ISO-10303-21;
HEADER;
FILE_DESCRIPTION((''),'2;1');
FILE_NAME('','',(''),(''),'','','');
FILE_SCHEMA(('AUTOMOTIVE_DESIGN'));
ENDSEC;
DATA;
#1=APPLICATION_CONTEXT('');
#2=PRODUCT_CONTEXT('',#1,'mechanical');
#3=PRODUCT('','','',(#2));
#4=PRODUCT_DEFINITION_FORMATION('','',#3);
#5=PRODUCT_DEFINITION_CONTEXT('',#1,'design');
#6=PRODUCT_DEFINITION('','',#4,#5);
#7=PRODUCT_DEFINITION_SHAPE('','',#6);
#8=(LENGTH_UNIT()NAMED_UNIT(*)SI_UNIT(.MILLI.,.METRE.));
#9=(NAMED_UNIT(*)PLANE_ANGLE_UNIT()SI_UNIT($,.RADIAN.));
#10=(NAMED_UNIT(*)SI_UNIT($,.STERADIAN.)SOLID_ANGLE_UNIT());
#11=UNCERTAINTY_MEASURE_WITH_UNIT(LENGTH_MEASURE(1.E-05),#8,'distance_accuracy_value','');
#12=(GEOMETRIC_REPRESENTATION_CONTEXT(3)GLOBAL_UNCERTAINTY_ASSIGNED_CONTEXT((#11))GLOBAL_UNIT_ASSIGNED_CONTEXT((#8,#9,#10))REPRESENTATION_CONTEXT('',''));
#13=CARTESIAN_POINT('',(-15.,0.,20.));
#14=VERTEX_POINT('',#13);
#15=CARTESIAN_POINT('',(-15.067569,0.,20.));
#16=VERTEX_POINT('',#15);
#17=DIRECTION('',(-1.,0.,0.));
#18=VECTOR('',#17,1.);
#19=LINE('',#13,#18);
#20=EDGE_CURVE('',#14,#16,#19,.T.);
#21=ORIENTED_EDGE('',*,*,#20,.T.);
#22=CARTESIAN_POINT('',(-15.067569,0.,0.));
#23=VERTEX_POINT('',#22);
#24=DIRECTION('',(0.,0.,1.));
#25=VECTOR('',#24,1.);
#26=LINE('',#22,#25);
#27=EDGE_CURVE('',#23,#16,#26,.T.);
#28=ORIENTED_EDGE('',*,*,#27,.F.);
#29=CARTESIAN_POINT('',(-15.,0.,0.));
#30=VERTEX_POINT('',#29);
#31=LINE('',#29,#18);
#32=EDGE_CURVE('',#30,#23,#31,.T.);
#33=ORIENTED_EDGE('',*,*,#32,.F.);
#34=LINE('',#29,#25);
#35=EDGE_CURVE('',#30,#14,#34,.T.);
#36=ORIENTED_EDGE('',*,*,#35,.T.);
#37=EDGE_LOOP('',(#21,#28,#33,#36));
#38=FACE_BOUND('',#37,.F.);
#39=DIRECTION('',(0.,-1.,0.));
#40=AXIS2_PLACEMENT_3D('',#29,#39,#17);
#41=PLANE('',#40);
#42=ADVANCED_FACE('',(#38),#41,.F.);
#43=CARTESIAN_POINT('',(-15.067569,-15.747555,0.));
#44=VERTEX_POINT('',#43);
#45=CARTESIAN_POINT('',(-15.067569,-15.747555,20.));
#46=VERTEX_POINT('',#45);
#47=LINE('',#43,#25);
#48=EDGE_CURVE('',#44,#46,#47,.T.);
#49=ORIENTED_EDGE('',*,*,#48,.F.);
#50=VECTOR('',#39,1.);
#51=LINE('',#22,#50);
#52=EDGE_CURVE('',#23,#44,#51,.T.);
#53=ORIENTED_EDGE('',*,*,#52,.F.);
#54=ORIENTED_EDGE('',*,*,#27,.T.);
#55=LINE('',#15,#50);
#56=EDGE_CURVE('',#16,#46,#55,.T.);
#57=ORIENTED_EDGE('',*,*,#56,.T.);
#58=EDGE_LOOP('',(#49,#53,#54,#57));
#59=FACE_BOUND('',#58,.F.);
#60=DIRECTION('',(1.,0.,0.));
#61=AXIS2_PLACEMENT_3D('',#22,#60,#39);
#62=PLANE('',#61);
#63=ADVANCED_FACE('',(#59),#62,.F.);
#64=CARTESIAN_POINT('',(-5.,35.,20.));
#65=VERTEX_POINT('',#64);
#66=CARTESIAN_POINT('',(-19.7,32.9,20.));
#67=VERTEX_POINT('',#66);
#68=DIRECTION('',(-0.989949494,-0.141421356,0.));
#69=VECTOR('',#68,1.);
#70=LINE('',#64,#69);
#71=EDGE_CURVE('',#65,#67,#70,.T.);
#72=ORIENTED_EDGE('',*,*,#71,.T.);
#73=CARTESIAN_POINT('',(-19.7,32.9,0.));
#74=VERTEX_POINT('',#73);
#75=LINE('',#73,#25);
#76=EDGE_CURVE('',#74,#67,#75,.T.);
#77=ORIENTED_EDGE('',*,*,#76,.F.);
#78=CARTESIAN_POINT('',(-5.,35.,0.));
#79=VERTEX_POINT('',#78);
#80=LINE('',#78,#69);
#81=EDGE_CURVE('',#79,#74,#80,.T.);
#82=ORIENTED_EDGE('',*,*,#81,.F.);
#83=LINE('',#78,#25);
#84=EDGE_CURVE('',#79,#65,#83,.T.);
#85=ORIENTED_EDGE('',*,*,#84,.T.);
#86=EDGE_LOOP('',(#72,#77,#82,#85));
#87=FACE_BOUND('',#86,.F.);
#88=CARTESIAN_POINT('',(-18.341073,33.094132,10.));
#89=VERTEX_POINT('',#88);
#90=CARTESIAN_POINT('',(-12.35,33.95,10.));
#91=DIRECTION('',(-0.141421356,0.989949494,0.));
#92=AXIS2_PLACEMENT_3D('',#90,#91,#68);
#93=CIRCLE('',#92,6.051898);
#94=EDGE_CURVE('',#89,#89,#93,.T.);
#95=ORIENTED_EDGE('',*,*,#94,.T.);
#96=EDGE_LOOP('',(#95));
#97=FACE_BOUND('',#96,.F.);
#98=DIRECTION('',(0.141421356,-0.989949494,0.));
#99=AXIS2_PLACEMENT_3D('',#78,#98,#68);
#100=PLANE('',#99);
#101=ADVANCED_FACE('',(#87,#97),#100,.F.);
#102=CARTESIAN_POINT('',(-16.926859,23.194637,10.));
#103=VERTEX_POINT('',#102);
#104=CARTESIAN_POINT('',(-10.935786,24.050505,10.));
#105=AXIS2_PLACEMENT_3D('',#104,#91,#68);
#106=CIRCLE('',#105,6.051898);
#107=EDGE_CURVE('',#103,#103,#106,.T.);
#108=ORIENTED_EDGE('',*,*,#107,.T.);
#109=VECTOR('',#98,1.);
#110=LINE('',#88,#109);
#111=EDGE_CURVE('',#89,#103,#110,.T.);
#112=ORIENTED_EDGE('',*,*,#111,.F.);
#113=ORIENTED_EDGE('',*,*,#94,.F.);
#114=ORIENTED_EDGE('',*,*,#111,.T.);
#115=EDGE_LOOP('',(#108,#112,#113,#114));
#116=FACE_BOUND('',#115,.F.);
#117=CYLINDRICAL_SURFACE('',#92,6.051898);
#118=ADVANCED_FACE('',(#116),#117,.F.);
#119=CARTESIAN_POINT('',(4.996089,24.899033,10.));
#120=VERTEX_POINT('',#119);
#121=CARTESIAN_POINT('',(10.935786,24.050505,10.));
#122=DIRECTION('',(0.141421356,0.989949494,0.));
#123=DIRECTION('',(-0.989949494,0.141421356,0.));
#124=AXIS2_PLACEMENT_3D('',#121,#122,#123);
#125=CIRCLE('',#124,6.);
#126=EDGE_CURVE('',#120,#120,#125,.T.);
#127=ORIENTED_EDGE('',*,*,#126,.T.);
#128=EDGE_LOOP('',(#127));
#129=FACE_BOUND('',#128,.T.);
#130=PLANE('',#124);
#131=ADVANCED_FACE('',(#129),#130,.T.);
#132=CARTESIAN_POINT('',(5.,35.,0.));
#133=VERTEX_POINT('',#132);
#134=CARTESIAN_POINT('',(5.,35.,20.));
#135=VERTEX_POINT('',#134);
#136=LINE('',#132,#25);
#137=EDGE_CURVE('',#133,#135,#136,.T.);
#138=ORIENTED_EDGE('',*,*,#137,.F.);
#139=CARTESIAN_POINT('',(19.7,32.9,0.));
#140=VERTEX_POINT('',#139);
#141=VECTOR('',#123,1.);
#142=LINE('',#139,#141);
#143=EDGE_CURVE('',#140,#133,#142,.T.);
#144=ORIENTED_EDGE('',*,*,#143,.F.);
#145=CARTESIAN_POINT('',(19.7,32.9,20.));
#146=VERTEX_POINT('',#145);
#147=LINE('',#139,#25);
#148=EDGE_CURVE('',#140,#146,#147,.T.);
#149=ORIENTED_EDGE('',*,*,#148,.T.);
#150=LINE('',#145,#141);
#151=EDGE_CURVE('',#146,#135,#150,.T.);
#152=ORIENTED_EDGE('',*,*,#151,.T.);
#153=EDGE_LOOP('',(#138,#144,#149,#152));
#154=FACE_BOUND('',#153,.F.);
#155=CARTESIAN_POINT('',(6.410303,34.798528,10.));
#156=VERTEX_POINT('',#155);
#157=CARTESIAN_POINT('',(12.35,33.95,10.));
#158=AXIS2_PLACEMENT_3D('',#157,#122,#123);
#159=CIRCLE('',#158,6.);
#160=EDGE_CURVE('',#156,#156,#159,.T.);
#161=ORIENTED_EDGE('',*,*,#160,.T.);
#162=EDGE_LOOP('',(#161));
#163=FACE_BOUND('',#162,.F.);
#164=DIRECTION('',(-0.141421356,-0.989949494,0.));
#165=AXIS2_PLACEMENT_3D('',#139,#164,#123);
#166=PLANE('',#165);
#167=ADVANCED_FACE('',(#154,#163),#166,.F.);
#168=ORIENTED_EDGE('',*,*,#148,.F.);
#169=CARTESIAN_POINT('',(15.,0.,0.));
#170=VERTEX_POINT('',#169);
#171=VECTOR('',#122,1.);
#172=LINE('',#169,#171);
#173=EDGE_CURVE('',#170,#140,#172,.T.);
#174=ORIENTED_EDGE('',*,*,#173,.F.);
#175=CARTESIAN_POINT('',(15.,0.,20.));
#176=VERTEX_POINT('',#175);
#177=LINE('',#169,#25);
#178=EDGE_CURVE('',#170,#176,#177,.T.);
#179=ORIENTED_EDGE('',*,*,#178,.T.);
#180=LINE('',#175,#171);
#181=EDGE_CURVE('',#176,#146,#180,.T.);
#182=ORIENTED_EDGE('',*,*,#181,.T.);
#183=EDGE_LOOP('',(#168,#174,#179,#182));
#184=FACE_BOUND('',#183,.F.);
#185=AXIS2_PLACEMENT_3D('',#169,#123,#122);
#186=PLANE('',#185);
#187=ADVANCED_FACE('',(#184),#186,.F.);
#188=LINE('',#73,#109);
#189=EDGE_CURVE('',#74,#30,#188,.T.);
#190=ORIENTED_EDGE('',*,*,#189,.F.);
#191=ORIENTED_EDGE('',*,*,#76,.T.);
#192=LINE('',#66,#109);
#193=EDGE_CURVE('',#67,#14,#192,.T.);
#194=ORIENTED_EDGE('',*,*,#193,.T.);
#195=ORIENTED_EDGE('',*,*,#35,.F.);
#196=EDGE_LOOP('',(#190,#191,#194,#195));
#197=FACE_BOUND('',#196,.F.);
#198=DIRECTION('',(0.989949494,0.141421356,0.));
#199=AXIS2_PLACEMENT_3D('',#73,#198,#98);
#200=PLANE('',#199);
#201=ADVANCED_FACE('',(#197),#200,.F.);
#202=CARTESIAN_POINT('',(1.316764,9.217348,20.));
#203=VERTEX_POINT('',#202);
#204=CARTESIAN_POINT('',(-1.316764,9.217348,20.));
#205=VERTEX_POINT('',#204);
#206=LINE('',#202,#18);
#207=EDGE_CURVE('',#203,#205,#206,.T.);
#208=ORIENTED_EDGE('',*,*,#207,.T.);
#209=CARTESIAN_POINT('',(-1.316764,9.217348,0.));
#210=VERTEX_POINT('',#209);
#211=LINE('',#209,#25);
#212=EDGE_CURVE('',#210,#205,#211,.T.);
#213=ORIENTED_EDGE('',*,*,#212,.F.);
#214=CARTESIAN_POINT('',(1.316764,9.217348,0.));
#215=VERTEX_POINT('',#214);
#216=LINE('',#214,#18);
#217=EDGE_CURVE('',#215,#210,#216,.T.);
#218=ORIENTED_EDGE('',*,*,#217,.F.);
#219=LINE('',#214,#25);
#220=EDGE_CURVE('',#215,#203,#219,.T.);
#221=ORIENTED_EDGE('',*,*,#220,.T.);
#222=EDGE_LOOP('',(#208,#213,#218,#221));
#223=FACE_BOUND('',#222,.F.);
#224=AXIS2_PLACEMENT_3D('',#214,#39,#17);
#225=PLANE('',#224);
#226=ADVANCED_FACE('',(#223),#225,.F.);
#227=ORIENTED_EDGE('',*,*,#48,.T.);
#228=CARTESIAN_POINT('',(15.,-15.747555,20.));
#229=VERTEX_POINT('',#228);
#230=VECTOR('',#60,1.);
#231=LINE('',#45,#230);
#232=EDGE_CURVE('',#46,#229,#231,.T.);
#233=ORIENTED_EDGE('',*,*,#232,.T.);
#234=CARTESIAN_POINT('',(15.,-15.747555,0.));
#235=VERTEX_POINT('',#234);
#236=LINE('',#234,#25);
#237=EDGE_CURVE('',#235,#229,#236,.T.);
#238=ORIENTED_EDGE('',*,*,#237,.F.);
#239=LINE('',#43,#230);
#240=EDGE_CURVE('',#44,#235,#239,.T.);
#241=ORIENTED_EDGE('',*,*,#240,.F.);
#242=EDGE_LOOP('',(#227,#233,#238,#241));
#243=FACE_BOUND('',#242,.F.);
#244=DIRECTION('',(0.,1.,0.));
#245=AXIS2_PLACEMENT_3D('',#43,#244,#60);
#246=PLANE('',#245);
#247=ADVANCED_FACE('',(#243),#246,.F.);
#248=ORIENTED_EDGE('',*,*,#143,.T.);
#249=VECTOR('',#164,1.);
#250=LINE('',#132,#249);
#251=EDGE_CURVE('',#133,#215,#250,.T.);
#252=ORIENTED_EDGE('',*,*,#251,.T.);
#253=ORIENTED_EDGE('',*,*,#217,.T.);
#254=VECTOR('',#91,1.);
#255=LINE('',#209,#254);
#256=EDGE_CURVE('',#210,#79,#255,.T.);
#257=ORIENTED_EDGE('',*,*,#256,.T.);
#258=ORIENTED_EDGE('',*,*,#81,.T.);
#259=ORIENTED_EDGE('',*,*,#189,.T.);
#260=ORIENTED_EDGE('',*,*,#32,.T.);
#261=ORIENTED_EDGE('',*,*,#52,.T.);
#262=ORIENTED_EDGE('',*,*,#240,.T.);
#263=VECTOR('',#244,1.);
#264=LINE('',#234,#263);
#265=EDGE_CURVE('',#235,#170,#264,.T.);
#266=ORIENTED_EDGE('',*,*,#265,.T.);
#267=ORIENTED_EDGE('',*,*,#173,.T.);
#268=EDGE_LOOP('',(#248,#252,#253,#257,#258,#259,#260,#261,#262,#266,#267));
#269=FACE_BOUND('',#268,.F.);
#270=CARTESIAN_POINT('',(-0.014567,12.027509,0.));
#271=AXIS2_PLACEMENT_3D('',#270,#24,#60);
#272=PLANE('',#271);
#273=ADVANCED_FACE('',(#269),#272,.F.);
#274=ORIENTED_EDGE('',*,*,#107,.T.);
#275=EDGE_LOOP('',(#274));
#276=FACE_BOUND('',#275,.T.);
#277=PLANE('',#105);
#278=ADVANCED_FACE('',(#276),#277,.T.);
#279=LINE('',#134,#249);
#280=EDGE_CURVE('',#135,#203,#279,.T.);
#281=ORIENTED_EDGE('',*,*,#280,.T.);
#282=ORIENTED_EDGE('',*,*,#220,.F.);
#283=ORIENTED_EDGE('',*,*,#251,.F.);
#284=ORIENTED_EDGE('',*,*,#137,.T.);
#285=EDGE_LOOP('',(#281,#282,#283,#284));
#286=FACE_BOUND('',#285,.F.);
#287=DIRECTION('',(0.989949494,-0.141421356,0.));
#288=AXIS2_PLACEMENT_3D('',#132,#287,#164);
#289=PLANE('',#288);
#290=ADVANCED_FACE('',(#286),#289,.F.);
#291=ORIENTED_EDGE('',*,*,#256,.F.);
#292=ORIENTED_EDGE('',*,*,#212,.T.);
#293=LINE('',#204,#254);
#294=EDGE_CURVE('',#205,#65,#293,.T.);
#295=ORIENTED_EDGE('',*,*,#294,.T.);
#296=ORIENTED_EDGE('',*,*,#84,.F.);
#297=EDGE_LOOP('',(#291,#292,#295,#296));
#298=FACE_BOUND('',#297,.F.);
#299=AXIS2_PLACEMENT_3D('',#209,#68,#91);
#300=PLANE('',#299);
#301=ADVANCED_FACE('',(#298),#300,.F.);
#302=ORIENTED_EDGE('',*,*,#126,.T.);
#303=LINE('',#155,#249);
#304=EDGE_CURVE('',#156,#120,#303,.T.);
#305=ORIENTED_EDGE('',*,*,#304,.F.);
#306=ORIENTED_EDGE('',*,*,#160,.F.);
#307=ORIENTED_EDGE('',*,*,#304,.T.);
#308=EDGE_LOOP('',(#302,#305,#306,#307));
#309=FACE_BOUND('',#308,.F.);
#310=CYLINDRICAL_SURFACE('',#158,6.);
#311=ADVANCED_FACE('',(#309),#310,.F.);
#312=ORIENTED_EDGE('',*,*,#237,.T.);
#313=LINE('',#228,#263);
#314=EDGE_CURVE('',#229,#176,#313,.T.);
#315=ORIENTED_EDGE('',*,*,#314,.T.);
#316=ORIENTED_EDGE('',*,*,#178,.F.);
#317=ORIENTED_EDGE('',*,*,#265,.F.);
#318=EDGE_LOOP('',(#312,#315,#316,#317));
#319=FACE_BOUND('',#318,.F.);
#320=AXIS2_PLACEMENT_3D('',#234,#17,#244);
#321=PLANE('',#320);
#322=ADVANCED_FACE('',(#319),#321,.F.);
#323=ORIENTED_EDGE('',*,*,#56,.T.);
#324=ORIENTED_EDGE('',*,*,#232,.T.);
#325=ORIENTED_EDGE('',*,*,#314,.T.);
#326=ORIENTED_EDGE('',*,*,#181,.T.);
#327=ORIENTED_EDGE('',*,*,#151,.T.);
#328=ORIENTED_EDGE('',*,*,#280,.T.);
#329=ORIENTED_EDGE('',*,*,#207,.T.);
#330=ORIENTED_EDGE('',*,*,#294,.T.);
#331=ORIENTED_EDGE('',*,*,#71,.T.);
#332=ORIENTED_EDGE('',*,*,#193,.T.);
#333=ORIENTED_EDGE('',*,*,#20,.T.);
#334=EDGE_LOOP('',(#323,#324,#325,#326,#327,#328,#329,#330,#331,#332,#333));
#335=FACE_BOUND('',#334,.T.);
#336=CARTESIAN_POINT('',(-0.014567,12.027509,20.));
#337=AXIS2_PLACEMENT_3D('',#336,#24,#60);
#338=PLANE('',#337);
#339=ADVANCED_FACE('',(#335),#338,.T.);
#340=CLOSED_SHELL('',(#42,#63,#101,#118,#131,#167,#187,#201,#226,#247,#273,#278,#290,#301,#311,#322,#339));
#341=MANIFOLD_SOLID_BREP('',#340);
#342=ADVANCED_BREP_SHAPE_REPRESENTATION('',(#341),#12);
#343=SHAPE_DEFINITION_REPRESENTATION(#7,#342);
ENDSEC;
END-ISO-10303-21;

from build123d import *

# Parameters (mm, degrees)
F1_DEPTH = 20
F2_R     = 6.0518975937
F3_DEPTH = 10
F4_R     = 6
F5_DEPTH = 10


with BuildPart() as f1:
    # F0 (on Top) → F1 (new body)
    with BuildSketch(Plane.XY):
        Polygon((-5, 35), (-19.7, 32.9), (-15, 0), (-15.0675689802, 0), (-15.0675689802, -15.7475546002), (15, -15.7475546002), (15, 0), (19.7, 32.9), (5, 35), (1.3167639755, 9.2173478283), (-1.3167639755, 9.2173478283), align=None)
    extrude(amount=F1_DEPTH)

    # F2 (on face) → F3 (cut)
    with BuildSketch(Plane(origin=(-5, 35, 0), x_dir=(-0.9899494937, -0.1414213562, 0), z_dir=(-0.1414213562, 0.9899494937, 0))):
        with Locations((7.4246212025, 10)):
            Circle(F2_R)
    extrude(amount=-F3_DEPTH, mode=Mode.SUBTRACT)

    # F4 (on face) → F5 (cut)
    with BuildSketch(Plane(origin=(5, 35, 0), x_dir=(-0.9899494937, 0.1414213562, 0), z_dir=(0.1414213562, 0.9899494937, 0))):
        with Locations((-7.4246212025, 10)):
            Circle(F4_R)
    extrude(amount=-F5_DEPTH, mode=Mode.SUBTRACT)


solid = f1.part
